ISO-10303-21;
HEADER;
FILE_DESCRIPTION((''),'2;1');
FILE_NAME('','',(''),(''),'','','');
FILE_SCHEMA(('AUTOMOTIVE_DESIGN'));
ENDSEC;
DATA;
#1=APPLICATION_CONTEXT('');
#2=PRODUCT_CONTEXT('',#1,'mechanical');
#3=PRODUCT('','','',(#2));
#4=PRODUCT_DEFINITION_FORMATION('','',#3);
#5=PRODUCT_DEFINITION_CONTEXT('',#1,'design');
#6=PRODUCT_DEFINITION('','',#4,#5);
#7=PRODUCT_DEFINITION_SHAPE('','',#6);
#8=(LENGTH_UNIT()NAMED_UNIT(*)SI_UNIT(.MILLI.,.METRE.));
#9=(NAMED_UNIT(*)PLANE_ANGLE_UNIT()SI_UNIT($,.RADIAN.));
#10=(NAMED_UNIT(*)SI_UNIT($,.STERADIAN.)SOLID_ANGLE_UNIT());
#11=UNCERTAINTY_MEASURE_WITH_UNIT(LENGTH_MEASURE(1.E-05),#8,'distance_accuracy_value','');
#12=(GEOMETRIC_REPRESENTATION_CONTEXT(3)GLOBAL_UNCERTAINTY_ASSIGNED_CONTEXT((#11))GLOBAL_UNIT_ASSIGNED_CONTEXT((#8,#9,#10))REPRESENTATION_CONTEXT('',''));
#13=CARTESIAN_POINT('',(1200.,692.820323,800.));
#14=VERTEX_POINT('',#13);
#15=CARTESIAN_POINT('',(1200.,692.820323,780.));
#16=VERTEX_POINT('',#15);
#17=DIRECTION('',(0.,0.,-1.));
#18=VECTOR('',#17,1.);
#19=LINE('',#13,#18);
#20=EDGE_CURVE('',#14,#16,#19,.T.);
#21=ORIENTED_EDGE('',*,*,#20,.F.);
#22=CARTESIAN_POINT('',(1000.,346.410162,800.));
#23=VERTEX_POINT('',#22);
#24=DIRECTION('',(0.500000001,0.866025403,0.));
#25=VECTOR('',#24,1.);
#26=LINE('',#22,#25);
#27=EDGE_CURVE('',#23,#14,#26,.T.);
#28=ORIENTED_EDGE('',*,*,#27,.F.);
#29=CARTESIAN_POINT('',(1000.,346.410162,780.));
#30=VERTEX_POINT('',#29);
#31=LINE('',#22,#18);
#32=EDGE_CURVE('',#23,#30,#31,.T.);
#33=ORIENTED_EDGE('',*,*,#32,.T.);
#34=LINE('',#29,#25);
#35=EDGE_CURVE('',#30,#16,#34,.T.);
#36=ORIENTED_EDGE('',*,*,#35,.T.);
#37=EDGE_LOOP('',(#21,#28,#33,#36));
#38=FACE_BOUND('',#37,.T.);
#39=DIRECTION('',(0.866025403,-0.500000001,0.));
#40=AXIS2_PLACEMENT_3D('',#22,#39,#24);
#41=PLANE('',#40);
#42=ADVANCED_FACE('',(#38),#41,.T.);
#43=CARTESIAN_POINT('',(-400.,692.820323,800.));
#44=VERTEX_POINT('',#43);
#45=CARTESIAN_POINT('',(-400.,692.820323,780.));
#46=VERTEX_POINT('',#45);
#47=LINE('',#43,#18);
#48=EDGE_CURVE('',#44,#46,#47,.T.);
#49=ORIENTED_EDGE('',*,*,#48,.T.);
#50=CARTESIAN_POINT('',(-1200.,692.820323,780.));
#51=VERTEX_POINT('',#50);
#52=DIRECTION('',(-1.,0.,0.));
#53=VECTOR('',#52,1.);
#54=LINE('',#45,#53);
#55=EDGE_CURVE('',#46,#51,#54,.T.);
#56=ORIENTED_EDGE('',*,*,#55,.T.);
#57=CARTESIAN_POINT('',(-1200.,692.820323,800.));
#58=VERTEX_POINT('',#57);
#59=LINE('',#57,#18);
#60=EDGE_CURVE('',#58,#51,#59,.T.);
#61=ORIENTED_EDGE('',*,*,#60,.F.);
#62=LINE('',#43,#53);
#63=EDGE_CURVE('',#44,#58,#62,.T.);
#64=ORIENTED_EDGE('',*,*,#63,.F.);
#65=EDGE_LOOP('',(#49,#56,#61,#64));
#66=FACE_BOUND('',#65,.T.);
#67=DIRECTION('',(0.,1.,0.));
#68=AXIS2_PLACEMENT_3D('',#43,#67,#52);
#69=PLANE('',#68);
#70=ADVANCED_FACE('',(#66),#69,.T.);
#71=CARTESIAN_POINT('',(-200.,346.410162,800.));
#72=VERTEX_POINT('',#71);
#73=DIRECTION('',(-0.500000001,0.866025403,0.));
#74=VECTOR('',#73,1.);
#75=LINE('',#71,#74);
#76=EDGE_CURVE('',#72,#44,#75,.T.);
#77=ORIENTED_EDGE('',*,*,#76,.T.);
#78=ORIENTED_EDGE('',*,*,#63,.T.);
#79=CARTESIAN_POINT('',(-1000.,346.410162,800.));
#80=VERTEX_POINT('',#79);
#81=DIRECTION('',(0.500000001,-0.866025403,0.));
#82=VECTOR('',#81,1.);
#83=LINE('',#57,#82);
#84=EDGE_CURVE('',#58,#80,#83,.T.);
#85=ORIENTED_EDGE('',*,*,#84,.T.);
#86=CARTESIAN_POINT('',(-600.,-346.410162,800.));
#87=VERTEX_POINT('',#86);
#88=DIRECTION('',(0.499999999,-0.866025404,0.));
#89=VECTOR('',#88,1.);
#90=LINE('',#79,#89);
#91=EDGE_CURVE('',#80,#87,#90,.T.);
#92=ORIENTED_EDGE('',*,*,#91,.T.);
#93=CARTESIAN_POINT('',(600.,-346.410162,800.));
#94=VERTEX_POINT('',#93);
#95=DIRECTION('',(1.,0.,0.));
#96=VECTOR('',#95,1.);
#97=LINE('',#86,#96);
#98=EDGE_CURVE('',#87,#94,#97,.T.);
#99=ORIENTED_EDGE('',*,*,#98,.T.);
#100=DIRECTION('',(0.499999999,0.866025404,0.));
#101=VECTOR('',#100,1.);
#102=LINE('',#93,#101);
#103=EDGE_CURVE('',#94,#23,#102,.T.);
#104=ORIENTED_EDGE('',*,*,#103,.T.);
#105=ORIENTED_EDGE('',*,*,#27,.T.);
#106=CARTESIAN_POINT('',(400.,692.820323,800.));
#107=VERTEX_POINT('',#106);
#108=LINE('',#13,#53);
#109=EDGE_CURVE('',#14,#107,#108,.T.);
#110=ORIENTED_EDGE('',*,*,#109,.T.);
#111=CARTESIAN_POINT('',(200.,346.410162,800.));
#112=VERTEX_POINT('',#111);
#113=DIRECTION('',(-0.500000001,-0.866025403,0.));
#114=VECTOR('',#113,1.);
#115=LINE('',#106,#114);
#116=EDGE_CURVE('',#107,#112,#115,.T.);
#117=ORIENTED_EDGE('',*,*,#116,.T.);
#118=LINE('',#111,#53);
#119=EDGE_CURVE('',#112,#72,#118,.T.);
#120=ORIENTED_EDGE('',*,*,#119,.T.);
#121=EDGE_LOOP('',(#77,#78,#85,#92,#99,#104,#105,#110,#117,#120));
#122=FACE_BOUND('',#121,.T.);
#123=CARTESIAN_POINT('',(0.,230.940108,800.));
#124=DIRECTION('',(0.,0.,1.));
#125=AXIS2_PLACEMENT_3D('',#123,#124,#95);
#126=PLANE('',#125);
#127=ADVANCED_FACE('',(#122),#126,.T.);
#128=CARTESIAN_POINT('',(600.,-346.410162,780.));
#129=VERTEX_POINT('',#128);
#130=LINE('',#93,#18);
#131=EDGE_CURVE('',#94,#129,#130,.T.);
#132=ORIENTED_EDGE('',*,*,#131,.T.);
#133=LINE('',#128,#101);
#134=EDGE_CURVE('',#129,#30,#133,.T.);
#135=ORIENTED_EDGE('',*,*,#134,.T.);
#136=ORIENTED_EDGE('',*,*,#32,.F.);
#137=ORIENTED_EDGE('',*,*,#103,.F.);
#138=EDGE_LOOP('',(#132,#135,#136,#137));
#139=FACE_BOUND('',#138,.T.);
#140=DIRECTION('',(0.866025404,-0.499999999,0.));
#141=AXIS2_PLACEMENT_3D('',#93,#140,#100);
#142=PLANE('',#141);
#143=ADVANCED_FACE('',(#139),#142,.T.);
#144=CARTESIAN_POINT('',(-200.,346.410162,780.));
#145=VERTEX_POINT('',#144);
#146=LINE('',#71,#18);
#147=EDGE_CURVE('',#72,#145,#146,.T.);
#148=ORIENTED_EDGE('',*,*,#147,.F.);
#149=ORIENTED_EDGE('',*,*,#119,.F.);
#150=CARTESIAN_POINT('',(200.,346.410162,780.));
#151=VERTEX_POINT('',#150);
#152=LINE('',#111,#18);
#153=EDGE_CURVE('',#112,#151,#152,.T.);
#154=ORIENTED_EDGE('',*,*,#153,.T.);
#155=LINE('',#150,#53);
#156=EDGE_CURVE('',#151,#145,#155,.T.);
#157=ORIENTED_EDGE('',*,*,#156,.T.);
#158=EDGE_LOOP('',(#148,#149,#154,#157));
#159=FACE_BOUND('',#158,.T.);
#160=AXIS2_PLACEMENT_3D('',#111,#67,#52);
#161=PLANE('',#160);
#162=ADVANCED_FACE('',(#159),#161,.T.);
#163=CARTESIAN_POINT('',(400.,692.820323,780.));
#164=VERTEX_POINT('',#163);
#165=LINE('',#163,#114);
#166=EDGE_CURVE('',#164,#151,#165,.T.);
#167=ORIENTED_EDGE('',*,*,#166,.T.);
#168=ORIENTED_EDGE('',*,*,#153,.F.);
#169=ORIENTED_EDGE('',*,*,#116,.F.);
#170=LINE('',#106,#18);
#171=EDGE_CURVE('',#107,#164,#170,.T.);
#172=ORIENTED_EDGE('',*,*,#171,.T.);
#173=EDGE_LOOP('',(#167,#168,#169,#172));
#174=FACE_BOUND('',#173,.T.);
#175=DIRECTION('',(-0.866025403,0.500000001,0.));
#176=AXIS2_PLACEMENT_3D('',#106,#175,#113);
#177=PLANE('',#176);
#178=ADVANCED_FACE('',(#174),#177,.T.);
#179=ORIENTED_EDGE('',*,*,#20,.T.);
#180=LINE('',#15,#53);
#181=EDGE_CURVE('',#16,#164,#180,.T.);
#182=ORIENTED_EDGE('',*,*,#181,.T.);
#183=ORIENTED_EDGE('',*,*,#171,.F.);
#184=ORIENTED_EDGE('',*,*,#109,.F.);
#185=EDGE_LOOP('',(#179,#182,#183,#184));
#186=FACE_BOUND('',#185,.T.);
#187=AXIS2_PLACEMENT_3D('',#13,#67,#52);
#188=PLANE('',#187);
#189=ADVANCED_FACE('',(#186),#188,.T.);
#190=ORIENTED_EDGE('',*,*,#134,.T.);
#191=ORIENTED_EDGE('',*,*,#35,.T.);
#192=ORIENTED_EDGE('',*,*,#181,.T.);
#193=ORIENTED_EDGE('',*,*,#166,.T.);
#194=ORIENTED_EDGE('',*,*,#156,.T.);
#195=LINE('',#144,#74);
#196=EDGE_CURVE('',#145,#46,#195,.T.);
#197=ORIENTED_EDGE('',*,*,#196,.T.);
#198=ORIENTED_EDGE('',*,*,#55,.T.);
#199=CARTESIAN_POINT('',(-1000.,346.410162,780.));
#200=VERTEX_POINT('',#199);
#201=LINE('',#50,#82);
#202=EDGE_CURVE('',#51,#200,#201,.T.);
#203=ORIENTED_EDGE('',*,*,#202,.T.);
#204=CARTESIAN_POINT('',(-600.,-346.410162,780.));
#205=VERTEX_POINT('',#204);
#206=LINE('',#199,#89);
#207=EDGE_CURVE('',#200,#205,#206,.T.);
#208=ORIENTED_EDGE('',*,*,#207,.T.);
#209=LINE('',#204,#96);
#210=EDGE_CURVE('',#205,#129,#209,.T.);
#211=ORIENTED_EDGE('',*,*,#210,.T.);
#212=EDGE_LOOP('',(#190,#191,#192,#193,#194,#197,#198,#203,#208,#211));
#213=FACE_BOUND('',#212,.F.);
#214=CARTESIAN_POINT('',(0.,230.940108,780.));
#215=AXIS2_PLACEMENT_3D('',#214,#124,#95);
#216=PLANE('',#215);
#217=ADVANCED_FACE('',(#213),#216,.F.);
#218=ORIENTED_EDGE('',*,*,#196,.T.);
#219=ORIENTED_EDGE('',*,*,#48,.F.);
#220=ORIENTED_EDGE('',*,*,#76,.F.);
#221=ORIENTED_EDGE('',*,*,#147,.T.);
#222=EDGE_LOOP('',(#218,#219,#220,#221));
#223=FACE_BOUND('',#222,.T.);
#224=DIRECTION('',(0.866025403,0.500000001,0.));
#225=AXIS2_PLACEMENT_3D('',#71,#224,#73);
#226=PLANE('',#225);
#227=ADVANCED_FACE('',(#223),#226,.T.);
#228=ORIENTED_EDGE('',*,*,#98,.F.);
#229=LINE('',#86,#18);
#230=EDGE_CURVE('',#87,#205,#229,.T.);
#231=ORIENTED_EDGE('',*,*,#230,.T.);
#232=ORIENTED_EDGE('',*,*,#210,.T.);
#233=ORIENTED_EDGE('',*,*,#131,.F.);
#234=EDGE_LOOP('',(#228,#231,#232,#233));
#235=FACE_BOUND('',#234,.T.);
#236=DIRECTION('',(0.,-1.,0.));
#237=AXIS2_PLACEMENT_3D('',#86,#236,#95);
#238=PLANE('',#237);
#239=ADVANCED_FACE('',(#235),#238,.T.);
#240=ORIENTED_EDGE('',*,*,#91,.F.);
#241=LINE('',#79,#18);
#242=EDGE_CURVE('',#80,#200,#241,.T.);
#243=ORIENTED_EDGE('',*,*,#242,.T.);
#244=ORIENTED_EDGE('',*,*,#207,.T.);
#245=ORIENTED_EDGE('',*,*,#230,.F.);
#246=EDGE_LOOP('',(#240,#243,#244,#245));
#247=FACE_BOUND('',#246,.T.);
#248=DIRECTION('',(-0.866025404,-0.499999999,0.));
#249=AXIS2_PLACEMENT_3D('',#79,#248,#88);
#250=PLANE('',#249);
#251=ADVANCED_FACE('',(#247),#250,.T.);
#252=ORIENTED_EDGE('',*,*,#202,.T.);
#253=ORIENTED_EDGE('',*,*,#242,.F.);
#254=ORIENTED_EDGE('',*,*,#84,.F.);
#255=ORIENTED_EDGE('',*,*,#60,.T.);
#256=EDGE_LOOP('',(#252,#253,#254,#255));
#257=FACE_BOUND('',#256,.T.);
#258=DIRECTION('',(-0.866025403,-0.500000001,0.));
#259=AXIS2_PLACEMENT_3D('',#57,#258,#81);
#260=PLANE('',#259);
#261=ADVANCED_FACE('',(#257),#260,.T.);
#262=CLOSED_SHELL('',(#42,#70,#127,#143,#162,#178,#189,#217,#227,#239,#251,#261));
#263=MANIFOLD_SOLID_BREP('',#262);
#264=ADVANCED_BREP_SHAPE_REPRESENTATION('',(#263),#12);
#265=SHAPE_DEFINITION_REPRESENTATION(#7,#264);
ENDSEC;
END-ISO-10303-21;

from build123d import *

# Parameters (mm, degrees)
F2_DEPTH = 20


with BuildPart() as f2:
    # F1 (on offset) → F2 (new body)
    with BuildSketch(Plane.XY.offset(800)):
        Polygon((-200, 346.410162), (0, 0), (200, 346.410162), align=None)
        Polygon((-1000, 346.410162), (-600, 346.410162), (-800, 692.820323), align=None)
        Polygon((200, 346.410162), (0, 0), (400, 0), align=None)
        Polygon((-200, -346.410162), (0, 0), (-400, 0), align=None)
        Polygon((-800, 0), (-600, 346.410162), (-1000, 346.410162), align=None)
        Polygon((1200, 692.820323), (800, 692.820323), (1000, 346.410162), align=None)
        Polygon((-400, 0), (0, 0), (-200, 346.410162), align=None)
        Polygon((-1000, 346.410162), (-800, 692.820323), (-1200, 692.820323), align=None)
        Polygon((400, 692.820323), (200, 346.410162), (600, 346.410162), align=None)
        Polygon((800, 692.820323), (400, 692.820323), (600, 346.410162), align=None)
        Polygon((1000, 346.410162), (600, 346.410162), (800, 0), align=None)
        Polygon((400, 0), (0, 0), (200, -346.410162), align=None)
        Polygon((200, -346.410162), (0, 0), (-200, -346.410162), align=None)
        Polygon((800, 0), (400, 0), (600, -346.410162), align=None)
        Polygon((600, -346.410162), (400, 0), (200, -346.410162), align=None)
        Polygon((-800, 692.820323), (-600, 346.410162), (-400, 692.820323), align=None)
        Polygon((-600, -346.410162), (-200, -346.410162), (-400, 0), align=None)
        Polygon((-600, -346.410162), (-400, 0), (-800, 0), align=None)
        Polygon((-600, 346.410162), (-200, 346.410162), (-400, 692.820323), align=None)
        Polygon((-400, 0), (-200, 346.410162), (-600, 346.410162), align=None)
        Polygon((600, 346.410162), (200, 346.410162), (400, 0), align=None)
        Polygon((800, 692.820323), (600, 346.410162), (1000, 346.410162), align=None)
        Polygon((-800, 0), (-400, 0), (-600, 346.410162), align=None)
        Polygon((600, 346.410162), (400, 0), (800, 0), align=None)
    extrude(amount=-F2_DEPTH)


solid = f2.part
